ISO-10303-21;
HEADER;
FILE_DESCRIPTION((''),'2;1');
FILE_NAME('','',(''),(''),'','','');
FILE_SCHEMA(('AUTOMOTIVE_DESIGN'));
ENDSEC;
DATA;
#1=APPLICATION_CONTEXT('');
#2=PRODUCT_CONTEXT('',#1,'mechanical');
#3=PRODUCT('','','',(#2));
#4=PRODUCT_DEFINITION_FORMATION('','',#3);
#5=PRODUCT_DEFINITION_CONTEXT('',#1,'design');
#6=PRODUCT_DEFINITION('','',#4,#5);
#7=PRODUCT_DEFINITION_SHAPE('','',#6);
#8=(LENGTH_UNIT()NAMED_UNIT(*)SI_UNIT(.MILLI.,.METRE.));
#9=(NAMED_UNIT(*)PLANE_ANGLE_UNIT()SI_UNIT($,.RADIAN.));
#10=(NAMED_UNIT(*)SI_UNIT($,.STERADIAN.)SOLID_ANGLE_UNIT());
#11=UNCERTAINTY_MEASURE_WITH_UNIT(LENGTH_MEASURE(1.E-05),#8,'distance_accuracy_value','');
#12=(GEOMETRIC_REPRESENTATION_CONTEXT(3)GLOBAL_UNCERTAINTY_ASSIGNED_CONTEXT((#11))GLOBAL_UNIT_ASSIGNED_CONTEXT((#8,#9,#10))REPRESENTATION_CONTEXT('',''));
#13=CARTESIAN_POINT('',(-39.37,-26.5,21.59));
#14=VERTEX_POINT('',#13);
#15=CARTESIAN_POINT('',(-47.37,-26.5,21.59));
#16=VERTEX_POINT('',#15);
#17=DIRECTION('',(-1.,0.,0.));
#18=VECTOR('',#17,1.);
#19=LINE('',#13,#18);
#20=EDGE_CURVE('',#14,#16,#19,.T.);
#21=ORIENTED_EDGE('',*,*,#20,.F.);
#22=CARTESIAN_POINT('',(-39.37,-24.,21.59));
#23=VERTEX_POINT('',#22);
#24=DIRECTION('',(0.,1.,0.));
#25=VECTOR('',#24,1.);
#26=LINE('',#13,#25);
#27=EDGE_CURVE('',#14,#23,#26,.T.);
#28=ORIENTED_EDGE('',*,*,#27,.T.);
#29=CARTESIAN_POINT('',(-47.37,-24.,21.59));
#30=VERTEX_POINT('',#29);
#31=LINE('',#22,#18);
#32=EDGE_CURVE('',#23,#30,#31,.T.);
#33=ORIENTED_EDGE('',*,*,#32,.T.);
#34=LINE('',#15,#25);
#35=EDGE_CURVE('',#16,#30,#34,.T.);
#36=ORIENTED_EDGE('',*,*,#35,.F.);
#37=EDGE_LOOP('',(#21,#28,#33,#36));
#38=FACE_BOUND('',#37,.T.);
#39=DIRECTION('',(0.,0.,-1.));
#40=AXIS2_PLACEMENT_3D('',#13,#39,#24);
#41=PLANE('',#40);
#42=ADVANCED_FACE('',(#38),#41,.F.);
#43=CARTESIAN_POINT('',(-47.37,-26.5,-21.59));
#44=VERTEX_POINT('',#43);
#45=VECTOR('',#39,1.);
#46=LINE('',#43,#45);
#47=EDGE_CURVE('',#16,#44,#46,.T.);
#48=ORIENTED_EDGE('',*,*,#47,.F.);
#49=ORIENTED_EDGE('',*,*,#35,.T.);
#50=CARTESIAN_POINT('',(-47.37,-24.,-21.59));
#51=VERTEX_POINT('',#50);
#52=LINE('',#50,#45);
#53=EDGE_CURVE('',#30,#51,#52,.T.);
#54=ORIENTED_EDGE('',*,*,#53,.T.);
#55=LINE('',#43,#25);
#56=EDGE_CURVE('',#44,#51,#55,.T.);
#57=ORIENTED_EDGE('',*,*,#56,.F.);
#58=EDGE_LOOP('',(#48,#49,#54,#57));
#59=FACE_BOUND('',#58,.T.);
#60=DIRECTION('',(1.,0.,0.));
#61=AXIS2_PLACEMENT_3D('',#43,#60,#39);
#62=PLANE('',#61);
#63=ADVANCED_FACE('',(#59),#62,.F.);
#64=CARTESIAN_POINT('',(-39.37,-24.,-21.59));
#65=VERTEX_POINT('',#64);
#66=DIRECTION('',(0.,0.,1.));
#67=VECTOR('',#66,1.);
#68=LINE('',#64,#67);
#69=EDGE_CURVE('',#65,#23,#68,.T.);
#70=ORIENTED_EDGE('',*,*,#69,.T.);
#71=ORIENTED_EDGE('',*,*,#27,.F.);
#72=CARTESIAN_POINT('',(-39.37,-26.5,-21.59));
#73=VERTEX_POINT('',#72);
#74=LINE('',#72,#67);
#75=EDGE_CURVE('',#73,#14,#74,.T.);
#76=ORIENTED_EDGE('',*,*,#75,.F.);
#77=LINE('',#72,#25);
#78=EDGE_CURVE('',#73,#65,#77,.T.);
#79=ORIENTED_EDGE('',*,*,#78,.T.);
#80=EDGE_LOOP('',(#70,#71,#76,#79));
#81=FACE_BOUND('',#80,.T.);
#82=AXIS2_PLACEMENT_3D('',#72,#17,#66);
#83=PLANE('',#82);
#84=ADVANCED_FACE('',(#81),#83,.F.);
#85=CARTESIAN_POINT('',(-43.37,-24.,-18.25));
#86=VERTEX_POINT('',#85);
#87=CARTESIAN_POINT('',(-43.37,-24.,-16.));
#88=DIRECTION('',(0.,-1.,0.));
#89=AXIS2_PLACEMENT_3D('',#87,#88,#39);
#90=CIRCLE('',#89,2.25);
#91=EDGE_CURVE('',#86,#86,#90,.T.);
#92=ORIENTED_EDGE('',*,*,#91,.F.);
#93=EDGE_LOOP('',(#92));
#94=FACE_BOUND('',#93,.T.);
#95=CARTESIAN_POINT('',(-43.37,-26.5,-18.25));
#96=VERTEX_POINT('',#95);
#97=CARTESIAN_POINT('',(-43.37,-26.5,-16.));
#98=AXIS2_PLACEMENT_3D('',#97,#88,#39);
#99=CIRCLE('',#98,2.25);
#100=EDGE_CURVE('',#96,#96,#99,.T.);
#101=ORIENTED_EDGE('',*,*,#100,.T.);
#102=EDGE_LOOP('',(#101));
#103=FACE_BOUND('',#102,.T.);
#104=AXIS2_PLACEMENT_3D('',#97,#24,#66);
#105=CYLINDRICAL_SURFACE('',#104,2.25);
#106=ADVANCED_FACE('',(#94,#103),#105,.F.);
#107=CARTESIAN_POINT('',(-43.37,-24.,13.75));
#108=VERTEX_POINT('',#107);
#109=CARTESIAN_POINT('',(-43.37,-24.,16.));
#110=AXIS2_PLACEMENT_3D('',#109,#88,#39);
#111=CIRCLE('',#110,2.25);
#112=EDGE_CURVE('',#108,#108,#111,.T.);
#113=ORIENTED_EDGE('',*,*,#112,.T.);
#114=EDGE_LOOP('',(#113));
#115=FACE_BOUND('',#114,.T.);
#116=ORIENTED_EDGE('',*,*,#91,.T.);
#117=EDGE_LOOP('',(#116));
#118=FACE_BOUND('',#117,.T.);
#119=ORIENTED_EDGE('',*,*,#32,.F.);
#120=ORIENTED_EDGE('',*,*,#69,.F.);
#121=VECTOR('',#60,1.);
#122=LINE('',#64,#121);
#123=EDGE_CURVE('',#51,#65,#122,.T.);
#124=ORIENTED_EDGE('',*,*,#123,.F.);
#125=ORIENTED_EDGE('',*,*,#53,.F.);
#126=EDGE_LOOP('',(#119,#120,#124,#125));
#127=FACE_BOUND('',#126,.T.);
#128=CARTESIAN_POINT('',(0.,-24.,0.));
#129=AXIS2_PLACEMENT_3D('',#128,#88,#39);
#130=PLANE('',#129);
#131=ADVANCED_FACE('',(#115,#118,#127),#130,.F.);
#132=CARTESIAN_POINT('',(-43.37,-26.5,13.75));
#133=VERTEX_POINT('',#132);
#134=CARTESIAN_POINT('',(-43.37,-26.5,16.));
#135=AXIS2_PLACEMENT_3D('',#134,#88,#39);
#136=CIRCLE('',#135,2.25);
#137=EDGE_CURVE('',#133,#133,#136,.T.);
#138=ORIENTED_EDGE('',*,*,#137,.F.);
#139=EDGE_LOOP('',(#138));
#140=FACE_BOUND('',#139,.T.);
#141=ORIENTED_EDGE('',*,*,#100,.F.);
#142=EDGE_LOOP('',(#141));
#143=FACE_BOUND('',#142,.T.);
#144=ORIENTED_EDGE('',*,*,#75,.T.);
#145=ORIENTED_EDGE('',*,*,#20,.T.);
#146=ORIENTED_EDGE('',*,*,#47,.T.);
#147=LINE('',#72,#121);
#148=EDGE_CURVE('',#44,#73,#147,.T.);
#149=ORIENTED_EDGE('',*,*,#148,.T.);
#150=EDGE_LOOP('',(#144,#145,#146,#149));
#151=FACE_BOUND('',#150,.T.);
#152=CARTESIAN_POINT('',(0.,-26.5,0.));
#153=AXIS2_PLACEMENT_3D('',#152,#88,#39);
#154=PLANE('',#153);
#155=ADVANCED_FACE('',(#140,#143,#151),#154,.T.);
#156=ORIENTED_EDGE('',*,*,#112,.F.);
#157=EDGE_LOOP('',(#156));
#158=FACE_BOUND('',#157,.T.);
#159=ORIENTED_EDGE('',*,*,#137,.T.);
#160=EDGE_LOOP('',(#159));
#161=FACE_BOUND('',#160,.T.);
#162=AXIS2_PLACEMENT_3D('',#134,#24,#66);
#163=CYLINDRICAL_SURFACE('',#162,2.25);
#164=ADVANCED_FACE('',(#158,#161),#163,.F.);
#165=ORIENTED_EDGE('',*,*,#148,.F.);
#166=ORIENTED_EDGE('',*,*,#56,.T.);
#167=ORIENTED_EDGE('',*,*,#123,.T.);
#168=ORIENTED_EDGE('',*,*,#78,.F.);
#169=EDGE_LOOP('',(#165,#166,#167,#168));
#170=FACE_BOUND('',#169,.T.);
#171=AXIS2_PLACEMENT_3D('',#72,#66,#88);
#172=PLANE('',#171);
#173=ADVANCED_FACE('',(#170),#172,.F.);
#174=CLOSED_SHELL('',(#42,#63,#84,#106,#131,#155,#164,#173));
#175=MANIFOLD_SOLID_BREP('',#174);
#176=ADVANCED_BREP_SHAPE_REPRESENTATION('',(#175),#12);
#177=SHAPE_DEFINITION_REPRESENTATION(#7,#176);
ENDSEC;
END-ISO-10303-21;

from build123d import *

# Parameters (mm, degrees)
SKETCH1_W           = 8
SKETCH1_H           = 43.18
SKETCH1_R           = 2.25
BOSS_EXTRUDE1_DEPTH = 2.5


with BuildPart() as part:
    # Sketch1 → Boss-Extrude1 (new body)
    with BuildSketch(Plane(origin=(0, -24, 0), x_dir=(-1, 0, 0), z_dir=(0, -1, 0))):
        with Locations((43.37, 0)):
            Rectangle(SKETCH1_W, SKETCH1_H)
        with Locations(Location((43.37, -16, 0), (0, 0, 90))):
            Circle(SKETCH1_R, mode=Mode.SUBTRACT)
        with Locations(Location((43.37, 16, 0), (0, 0, 90))):
            Circle(SKETCH1_R, mode=Mode.SUBTRACT)
    extrude(amount=BOSS_EXTRUDE1_DEPTH)


solid = part.part
